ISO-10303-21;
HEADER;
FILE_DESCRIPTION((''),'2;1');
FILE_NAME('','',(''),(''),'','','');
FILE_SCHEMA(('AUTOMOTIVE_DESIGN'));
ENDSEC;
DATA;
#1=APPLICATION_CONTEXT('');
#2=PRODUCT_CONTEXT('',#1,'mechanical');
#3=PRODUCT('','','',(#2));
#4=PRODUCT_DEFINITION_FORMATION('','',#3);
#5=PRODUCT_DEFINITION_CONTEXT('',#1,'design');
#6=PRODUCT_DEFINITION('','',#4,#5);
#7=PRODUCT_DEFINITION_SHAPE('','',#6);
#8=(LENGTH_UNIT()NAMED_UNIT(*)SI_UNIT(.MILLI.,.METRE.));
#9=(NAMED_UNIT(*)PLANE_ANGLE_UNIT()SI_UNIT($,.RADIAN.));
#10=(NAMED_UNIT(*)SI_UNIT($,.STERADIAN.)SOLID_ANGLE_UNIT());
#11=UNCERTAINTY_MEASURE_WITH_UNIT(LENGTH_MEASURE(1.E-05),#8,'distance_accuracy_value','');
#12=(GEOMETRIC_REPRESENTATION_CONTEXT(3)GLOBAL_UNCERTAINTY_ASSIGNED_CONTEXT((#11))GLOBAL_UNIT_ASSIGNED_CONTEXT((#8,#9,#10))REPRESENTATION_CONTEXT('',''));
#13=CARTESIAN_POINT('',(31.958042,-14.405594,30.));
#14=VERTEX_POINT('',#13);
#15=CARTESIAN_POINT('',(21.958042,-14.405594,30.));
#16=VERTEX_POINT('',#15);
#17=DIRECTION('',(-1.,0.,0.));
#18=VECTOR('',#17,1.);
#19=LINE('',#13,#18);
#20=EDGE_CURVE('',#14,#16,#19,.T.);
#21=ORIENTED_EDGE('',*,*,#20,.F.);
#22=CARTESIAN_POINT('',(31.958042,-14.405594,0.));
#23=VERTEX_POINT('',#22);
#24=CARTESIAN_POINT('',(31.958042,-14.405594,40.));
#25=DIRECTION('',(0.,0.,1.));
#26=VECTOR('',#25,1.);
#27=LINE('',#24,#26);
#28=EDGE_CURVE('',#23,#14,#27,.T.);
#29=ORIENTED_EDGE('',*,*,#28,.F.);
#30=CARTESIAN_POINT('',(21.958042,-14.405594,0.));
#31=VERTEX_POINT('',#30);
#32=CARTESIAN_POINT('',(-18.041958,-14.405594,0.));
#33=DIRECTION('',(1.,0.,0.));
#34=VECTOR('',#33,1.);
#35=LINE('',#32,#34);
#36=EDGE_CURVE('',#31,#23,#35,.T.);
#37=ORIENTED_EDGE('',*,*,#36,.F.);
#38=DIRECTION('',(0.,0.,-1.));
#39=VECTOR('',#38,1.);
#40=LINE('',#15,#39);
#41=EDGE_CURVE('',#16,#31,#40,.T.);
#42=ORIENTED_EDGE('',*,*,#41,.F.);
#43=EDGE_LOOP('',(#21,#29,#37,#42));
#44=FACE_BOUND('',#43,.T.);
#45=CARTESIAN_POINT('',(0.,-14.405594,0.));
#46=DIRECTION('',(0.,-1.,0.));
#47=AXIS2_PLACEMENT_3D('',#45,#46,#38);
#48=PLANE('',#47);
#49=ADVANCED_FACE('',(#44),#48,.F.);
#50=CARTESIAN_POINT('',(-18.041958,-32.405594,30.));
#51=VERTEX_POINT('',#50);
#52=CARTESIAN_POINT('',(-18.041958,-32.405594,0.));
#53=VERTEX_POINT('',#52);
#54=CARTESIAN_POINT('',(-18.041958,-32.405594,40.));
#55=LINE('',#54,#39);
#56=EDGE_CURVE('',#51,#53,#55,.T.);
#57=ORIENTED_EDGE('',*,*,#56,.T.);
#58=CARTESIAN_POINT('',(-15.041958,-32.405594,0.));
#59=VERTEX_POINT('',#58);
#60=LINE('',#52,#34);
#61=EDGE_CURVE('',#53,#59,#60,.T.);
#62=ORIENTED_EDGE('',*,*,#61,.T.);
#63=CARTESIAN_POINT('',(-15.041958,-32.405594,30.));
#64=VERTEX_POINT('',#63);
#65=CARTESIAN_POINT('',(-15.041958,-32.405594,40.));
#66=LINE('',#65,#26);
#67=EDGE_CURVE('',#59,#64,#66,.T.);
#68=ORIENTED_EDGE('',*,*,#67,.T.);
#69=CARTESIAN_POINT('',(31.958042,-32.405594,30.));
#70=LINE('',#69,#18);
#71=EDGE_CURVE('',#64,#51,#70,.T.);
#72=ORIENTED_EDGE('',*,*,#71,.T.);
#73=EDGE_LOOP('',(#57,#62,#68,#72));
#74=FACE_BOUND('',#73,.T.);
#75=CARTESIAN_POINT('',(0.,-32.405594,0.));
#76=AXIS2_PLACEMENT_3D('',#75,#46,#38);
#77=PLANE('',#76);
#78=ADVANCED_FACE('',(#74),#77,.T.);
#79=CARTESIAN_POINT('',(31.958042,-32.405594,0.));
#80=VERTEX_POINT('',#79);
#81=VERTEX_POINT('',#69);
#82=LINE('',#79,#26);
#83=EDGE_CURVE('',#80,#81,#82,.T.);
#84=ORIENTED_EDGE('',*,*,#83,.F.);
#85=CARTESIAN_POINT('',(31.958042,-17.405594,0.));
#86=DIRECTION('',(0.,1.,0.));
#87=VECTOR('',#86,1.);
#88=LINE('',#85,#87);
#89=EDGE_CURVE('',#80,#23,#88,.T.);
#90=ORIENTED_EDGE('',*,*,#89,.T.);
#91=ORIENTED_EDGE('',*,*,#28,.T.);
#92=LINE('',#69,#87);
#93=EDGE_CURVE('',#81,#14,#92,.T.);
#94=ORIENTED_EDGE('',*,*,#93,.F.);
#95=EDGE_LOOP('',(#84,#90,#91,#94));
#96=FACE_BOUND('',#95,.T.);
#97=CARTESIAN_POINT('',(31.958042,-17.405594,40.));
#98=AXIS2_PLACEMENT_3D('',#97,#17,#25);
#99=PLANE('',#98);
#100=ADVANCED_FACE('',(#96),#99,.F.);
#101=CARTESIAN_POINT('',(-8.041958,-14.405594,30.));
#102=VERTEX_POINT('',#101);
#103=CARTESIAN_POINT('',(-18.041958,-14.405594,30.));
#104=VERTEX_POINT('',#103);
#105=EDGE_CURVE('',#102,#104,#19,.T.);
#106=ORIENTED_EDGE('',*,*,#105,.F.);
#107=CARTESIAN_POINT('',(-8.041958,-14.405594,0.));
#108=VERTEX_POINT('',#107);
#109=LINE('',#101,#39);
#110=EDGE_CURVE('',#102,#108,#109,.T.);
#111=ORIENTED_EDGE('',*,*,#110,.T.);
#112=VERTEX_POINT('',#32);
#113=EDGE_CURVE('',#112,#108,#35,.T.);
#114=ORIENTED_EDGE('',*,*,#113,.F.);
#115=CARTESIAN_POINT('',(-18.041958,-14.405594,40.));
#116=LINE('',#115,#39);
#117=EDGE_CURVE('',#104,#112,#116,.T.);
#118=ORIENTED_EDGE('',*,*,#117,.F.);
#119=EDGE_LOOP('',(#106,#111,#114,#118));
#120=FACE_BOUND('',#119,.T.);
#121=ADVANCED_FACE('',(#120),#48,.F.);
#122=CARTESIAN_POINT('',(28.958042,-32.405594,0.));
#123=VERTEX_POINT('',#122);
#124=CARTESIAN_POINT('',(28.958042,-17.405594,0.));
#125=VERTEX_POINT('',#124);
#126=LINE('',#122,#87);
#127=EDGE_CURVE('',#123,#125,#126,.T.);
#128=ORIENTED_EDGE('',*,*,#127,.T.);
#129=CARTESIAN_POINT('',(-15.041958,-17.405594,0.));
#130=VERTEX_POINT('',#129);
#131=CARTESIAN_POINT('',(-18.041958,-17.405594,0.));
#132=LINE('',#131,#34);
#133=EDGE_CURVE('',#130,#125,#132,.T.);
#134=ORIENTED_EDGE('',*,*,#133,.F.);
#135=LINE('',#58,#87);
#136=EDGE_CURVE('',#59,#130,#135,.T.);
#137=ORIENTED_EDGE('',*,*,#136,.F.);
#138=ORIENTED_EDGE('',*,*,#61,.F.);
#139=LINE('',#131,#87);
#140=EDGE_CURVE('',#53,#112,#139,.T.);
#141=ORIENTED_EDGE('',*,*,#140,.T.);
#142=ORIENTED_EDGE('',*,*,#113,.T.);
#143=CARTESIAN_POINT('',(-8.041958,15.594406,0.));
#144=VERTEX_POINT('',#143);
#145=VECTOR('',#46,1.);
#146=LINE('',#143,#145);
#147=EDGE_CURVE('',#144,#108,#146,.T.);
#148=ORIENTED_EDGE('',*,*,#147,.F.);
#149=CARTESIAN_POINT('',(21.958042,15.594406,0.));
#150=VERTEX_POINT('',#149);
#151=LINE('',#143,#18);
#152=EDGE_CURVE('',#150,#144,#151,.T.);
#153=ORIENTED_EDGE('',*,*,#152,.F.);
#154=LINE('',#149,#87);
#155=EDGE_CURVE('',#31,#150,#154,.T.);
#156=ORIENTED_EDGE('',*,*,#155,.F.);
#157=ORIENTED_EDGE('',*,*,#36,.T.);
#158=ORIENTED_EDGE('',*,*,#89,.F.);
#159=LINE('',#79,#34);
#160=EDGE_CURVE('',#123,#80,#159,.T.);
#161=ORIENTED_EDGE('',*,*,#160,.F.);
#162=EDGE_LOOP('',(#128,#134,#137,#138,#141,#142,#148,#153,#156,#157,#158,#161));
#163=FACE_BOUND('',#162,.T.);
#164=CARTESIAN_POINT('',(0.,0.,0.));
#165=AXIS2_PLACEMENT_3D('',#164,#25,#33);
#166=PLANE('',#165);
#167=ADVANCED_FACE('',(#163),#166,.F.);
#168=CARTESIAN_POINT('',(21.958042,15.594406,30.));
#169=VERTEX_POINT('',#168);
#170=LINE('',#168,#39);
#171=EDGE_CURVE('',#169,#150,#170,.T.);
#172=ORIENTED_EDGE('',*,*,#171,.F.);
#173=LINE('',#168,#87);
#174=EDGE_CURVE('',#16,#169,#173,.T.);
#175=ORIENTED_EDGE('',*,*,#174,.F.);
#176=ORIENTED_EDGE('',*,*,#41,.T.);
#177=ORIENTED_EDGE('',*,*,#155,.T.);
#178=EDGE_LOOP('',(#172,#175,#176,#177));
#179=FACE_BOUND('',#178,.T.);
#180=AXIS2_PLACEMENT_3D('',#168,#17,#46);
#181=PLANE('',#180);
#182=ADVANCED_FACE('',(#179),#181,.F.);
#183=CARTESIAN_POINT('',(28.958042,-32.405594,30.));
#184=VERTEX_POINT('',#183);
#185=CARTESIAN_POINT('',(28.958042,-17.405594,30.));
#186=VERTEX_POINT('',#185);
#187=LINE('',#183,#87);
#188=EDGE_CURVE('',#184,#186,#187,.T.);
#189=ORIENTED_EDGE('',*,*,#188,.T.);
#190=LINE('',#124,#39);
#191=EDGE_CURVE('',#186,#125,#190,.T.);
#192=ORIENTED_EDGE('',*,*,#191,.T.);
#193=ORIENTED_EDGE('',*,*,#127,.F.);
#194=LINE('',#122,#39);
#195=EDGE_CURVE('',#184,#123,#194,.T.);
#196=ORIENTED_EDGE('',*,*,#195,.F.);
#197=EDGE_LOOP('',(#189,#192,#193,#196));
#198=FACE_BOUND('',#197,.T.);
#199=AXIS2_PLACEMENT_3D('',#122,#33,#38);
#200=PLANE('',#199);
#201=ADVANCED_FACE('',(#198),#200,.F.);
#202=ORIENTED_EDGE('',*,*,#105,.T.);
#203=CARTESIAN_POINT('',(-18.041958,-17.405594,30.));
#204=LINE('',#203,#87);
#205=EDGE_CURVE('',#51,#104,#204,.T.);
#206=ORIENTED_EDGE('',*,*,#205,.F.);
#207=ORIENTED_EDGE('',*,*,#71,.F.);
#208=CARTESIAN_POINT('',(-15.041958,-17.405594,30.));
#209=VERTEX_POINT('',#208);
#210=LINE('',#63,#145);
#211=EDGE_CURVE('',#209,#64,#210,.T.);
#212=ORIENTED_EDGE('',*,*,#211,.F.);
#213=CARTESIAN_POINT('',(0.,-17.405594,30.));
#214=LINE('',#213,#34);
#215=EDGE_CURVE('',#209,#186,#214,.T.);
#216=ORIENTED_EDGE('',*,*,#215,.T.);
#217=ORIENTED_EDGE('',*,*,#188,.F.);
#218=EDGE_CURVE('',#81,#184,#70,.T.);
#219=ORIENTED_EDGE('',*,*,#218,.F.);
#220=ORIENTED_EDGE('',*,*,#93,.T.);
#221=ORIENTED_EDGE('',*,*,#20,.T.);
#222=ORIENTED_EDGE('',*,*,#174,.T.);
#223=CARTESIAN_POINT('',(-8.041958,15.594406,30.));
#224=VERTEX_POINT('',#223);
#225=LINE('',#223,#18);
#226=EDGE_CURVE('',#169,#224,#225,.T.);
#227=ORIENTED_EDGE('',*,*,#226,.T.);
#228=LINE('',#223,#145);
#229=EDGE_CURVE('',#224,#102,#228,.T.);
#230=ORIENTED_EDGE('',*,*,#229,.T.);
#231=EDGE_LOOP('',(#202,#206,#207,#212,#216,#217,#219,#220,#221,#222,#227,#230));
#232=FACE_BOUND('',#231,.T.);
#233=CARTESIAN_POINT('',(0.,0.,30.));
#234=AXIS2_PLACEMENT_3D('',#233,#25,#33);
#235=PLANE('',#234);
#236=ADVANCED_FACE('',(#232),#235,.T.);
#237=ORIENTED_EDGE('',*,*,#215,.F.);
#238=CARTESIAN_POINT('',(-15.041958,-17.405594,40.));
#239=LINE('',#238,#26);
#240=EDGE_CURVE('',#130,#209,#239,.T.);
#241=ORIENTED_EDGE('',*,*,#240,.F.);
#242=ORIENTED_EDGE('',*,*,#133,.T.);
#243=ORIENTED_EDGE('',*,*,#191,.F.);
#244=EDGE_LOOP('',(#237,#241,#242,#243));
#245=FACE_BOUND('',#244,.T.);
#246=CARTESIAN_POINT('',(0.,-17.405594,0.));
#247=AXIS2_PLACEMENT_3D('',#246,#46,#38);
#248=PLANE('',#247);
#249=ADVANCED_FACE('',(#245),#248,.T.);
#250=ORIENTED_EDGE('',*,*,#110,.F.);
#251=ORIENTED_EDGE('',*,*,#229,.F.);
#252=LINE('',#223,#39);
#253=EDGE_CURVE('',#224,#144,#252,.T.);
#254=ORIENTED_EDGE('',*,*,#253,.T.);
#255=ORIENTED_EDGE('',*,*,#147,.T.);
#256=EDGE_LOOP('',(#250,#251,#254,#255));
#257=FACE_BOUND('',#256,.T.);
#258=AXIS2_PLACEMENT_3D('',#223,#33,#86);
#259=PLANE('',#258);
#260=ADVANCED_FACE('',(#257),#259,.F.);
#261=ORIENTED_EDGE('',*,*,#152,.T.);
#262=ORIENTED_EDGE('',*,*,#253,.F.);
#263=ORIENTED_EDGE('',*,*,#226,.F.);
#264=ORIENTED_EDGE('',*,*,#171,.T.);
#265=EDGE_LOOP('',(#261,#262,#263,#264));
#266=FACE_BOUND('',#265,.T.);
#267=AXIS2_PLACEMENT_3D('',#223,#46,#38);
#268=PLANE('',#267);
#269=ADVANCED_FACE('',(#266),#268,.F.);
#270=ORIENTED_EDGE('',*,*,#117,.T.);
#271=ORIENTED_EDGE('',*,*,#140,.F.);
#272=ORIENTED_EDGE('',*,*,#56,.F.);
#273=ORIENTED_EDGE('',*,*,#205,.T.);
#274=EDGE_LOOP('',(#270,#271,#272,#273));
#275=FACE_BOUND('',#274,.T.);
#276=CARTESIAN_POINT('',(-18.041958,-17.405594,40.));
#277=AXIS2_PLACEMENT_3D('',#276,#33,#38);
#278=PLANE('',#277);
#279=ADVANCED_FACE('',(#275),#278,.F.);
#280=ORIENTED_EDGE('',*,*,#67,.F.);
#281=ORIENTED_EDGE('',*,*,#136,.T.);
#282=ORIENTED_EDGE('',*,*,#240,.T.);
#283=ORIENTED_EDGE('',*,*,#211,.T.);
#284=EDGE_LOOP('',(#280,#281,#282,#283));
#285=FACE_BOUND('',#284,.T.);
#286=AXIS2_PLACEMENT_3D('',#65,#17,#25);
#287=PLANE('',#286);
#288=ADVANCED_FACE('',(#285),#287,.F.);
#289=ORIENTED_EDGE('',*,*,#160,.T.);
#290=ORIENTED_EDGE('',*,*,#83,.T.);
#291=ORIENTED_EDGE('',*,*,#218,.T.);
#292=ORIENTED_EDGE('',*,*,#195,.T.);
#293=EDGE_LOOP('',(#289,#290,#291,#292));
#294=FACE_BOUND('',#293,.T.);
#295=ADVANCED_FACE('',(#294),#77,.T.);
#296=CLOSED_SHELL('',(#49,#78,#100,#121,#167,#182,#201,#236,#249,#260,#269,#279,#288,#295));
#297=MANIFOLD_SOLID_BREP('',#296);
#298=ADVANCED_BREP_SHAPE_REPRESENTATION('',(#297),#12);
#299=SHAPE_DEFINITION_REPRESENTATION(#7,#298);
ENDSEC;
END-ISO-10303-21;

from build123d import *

# Parameters (mm, degrees)
SKETCH_1_W          = 30
SKETCH_1_H          = 30
EXTRUDE_1_DEPTH     = 30
SKETCH_2_W          = 50
SKETCH_2_H          = 40
EXTRUDE_2_DEPTH     = 3
SKETCH_3_W          = 3
SKETCH_3_H          = 40
EXTRUDE_3_DEPTH     = 15
SKETCH_4_W          = 50.744831967
SKETCH_4_H          = 10
CUT_EXTRUDE_1_DEPTH = 19


with BuildPart() as part:
    # 草图1 → 凸台-拉伸1 (new body)
    with BuildSketch(Plane.XY):
        with Locations((6.958041958, 0.594405594)):
            Rectangle(SKETCH_1_W, SKETCH_1_H)
    extrude(amount=EXTRUDE_1_DEPTH)

    # 草图2 → 凸台-拉伸2 (add)
    with BuildSketch(Plane.XZ.offset(14.405594406)):
        with Locations((6.958041958, 20)):
            Rectangle(SKETCH_2_W, SKETCH_2_H)
    extrude(amount=EXTRUDE_2_DEPTH)

    # 草图3 → 凸台-拉伸3 (add)
    with BuildSketch(Plane.XZ.offset(17.405594406)):
        with Locations((-16.541958042, 20)):
            Rectangle(SKETCH_3_W, SKETCH_3_H)
        with Locations((30.458041958, 20)):
            Rectangle(SKETCH_3_W, SKETCH_3_H)
    extrude(amount=EXTRUDE_3_DEPTH)

    # 草图4 → 切除-拉伸1 (cut, through all)
    with BuildSketch(Plane(origin=(0, -14.405594406, 0), x_dir=(1, 0, 0), z_dir=(0, 1, 0))):
        with Locations((6.585625975, -35)):
            Rectangle(SKETCH_4_W, SKETCH_4_H)
    extrude(amount=-CUT_EXTRUDE_1_DEPTH, mode=Mode.SUBTRACT)


solid = part.part
